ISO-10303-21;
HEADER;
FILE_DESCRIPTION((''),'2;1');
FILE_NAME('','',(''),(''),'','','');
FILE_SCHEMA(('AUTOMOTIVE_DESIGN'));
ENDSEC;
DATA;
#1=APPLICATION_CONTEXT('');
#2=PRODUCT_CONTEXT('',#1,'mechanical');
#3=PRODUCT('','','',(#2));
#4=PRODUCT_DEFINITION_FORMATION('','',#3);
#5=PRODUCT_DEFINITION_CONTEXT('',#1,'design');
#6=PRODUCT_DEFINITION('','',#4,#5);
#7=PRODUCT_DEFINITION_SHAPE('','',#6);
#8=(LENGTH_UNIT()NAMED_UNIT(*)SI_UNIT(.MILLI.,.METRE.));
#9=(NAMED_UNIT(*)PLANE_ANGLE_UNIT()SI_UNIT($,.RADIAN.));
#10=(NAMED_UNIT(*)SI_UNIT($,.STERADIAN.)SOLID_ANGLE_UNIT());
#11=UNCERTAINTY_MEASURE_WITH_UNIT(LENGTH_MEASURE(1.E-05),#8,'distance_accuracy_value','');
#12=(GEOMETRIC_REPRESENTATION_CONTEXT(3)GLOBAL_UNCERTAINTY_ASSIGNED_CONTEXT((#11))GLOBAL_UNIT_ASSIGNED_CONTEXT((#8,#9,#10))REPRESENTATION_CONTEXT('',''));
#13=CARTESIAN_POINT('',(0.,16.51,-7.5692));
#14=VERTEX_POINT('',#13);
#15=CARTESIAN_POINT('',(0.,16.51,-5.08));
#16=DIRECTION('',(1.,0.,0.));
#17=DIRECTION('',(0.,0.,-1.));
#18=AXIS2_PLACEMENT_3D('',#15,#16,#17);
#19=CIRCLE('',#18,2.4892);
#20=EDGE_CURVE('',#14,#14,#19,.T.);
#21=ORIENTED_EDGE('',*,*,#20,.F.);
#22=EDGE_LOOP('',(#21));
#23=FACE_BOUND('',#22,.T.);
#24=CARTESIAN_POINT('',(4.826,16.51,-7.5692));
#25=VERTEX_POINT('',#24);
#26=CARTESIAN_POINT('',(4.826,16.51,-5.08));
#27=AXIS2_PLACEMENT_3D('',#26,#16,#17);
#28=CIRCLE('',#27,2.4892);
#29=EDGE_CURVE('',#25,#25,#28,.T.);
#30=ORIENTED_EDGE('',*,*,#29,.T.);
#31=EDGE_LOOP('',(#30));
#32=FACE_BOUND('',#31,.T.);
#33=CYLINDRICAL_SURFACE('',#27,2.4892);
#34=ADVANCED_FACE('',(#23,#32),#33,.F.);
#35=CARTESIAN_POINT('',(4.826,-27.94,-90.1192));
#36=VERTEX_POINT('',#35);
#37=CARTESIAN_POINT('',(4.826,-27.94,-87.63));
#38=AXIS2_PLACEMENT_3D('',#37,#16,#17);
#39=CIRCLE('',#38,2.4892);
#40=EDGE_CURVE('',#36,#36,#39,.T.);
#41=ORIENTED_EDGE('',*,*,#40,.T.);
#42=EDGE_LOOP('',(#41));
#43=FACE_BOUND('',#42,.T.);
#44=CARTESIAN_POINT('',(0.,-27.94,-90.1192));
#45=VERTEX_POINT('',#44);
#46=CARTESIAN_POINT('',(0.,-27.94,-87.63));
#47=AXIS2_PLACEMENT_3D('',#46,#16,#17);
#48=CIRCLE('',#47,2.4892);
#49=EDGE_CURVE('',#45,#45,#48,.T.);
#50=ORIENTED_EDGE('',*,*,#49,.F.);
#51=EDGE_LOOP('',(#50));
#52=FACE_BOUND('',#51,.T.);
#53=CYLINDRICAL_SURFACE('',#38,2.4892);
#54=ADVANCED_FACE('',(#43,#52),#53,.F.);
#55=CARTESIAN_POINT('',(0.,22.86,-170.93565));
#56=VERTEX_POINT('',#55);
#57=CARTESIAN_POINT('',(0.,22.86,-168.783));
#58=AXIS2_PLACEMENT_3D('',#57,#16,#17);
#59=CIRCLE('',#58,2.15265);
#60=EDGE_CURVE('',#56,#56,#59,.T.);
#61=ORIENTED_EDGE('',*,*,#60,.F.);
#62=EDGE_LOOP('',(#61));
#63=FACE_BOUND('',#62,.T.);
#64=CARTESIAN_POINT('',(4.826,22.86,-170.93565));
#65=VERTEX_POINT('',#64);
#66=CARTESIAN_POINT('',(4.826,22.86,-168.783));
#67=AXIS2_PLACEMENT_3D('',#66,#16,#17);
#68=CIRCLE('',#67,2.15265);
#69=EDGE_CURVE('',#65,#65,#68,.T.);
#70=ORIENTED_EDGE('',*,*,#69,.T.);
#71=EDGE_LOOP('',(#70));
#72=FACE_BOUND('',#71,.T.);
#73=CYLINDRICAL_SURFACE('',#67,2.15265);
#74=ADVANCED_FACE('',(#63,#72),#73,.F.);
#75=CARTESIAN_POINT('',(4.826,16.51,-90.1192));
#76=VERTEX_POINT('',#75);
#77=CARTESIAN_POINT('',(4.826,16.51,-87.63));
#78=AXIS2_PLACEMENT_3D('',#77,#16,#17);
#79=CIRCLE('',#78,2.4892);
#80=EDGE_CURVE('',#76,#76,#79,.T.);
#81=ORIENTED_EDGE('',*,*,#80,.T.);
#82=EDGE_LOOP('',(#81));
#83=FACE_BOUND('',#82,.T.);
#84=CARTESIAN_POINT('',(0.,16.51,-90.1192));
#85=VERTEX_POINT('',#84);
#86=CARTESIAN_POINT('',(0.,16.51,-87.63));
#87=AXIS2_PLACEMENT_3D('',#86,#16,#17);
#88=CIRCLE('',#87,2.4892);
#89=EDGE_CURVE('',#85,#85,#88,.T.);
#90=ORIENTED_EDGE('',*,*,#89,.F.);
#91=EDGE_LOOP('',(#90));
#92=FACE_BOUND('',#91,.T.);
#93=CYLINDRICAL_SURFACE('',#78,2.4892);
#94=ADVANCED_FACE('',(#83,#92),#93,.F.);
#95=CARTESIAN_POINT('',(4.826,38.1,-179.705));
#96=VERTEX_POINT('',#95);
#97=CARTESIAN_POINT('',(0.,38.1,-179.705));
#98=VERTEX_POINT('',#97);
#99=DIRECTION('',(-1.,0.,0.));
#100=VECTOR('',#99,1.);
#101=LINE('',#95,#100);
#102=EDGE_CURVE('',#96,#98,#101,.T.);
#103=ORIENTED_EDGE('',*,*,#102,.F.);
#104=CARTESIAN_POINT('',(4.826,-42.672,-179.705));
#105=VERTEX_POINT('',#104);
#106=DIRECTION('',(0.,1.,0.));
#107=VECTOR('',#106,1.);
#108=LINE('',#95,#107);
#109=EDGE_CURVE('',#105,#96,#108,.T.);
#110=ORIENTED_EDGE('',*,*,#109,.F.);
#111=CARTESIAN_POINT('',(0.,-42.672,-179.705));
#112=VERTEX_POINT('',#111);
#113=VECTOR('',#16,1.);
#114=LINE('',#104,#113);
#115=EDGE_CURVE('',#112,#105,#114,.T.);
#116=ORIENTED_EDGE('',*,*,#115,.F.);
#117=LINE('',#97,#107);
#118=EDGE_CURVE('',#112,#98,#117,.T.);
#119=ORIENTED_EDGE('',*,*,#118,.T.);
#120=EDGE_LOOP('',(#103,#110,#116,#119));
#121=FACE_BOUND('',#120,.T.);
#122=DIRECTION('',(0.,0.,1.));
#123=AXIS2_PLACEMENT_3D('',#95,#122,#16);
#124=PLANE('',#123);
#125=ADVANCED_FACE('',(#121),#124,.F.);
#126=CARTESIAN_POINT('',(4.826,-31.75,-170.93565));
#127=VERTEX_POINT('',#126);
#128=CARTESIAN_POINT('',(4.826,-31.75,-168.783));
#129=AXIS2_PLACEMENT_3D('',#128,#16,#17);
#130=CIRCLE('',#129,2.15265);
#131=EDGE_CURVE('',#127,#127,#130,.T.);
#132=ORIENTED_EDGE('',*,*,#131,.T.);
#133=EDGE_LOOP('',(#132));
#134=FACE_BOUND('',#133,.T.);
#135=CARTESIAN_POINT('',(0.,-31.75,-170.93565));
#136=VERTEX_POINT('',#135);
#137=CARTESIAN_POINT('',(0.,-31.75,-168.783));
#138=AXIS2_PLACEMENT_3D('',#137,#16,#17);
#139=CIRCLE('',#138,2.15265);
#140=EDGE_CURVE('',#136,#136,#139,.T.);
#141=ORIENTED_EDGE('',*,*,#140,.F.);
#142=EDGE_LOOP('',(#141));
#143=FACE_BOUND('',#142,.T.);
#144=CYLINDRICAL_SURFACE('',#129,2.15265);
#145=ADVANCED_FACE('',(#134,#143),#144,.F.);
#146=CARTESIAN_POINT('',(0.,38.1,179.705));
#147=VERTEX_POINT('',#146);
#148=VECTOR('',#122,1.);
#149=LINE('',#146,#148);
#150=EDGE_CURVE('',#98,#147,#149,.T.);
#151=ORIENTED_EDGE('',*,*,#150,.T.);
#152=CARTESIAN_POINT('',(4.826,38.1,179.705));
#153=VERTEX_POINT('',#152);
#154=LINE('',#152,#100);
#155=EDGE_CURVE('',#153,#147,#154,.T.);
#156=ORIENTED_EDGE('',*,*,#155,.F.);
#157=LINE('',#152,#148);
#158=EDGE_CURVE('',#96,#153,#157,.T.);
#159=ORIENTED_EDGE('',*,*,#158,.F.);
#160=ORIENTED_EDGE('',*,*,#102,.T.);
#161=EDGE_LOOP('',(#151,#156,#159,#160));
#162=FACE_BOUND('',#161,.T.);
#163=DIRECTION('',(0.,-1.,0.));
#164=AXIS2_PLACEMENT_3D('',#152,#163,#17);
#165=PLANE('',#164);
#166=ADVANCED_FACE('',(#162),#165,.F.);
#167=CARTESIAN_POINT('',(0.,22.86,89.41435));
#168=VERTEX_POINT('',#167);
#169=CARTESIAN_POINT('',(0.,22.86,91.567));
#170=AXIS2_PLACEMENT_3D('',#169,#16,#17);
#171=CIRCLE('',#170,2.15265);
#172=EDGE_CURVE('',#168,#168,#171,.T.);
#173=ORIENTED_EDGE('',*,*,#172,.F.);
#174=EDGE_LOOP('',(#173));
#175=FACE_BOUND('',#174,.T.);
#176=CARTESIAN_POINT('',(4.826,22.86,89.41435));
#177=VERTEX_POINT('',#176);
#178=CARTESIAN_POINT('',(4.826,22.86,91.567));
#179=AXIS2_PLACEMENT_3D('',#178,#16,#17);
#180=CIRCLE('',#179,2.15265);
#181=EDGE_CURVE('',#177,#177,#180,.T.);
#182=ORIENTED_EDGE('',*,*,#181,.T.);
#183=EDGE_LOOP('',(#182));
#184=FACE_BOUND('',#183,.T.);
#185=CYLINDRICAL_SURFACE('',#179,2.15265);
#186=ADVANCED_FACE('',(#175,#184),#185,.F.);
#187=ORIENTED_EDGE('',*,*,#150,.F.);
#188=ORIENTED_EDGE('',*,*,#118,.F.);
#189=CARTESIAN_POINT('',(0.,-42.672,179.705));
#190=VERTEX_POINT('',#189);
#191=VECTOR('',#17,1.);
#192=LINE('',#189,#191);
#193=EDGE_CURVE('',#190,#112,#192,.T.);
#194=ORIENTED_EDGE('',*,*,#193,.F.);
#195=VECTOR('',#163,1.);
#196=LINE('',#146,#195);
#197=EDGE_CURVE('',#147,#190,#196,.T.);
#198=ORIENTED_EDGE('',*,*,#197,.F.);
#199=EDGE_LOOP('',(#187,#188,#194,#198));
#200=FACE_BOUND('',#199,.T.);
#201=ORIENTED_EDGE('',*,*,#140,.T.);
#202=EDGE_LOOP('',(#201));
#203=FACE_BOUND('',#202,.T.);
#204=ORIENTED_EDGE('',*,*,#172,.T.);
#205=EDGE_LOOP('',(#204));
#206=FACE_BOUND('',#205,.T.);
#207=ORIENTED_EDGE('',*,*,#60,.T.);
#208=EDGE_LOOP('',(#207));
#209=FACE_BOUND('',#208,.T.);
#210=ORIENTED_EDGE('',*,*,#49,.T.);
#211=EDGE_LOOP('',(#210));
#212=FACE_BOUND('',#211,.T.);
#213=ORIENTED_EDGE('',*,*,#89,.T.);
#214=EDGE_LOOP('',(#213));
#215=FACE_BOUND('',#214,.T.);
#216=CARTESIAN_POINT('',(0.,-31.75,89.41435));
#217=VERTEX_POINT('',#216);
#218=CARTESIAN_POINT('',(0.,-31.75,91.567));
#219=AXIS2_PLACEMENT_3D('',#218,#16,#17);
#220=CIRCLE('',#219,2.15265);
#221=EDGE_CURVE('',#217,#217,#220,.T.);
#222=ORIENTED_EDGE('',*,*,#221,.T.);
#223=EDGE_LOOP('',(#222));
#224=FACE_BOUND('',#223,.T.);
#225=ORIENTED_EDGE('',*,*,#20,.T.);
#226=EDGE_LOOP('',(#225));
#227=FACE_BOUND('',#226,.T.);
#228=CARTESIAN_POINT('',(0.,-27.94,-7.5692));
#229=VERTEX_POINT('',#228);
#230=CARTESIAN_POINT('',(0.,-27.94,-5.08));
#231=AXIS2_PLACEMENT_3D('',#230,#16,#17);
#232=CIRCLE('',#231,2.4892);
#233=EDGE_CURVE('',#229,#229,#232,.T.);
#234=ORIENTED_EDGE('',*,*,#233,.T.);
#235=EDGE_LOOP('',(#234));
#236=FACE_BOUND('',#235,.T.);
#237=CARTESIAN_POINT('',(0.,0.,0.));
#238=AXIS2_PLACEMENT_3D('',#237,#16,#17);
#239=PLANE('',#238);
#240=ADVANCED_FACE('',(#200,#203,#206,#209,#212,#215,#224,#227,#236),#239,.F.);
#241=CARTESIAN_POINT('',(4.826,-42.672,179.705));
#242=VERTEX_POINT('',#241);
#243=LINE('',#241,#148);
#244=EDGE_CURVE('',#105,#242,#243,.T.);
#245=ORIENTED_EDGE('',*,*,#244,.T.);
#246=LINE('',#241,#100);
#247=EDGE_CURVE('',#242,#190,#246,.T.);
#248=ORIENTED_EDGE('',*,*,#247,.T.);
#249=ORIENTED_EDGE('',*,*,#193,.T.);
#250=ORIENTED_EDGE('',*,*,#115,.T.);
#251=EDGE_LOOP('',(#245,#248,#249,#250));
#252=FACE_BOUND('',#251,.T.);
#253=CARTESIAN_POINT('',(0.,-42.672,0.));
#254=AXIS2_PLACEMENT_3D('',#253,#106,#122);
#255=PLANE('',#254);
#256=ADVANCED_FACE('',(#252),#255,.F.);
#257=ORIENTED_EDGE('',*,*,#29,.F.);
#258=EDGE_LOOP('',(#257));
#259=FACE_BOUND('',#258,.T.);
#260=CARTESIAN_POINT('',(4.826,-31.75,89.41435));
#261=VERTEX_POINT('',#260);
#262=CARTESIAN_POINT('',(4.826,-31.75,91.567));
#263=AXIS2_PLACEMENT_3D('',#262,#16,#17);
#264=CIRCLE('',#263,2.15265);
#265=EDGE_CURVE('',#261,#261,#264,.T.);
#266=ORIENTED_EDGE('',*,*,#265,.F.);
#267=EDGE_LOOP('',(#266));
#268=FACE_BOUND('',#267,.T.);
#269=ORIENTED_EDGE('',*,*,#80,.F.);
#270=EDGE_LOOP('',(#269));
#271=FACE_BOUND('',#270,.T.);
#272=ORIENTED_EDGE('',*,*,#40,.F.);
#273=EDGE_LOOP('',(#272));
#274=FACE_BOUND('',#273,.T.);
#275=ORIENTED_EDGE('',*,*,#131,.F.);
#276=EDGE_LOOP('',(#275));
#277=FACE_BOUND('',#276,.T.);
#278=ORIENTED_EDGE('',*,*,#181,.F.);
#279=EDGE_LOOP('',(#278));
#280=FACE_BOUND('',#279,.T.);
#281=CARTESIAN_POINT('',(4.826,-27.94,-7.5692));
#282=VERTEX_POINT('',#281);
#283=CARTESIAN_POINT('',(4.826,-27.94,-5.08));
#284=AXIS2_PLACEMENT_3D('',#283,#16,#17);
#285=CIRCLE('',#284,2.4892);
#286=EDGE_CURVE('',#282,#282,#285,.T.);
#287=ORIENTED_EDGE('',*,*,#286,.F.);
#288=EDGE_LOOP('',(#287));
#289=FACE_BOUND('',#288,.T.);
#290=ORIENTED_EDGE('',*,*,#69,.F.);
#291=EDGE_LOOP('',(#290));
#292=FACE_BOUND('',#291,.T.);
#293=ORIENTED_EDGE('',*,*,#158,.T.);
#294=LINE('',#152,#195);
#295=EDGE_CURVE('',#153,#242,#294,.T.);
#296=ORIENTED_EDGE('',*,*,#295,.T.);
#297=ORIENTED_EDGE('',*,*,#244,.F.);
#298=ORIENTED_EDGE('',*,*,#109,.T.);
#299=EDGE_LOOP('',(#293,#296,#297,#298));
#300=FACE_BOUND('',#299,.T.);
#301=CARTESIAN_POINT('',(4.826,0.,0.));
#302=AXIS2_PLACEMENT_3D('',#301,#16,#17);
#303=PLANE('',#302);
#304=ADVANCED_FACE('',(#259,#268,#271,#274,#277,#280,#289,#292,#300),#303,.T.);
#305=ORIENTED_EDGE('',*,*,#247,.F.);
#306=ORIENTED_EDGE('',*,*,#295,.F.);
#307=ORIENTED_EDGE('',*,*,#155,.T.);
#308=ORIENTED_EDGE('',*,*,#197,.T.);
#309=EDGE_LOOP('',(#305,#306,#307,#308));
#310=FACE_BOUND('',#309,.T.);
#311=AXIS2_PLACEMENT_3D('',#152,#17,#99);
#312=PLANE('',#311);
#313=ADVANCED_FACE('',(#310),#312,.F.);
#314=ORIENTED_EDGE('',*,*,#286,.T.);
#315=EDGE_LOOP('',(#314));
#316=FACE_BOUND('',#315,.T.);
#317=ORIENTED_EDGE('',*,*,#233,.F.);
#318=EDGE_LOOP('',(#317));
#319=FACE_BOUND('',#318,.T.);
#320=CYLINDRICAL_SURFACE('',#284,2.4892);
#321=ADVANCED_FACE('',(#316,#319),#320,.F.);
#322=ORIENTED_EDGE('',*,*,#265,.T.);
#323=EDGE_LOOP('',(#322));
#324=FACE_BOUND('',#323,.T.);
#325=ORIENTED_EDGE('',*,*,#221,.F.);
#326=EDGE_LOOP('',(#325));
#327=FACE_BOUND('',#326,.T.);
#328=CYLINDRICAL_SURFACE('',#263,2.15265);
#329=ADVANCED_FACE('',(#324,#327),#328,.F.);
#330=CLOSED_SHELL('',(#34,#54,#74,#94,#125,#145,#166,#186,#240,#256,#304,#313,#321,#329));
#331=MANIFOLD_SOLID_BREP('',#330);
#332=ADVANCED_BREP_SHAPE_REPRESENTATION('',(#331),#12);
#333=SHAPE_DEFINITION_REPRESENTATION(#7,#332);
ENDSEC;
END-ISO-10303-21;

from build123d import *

# Parameters (mm, degrees)
SKETCH1_W                 = 359.41
SKETCH1_H                 = 76.2
BOSS_EXTRUDE1_DEPTH       = 4.826
F_10_CLEARANCE_HOLE1_D    = 4.9784
F_8_CLEARANCE_HOLE1_D     = 4.3053
F_8_CLEARANCE_HOLE1_DEPTH = 12.7
F_8_CLEARANCE_HOLE1_TIP   = 1.293442612
SKETCH31_W                = 4.826
SKETCH31_H                = 359.41
BOSS_EXTRUDE10_DEPTH      = 4.572


with BuildPart() as part:
    # Sketch1 → Boss-Extrude1 (new body)
    with BuildSketch(Plane(origin=(0, 0, 0), x_dir=(0, 0, -1), z_dir=(1, 0, 0))):
        Rectangle(SKETCH1_W, SKETCH1_H)
    extrude(amount=BOSS_EXTRUDE1_DEPTH)

    # #10 Clearance Hole1 (through all)
    with Locations(Plane(origin=(4.826, 0, 0), x_dir=(0, 0, -1), z_dir=(1, 0, 0))):
        with Locations((87.63, -27.94), (5.08, -27.94), (5.08, 16.51), (87.63, 16.51)):
            Hole(F_10_CLEARANCE_HOLE1_D / 2)

    # #8 Clearance Hole1
    with Locations(Plane(origin=(4.826, 0, 0), x_dir=(0, 0, -1), z_dir=(1, 0, 0))):
        with Locations((-91.567, 22.86), (-91.567, -31.75), (168.783, -31.75), (168.783, 22.86)):
            Hole(F_8_CLEARANCE_HOLE1_D / 2, depth=F_8_CLEARANCE_HOLE1_DEPTH)
            with Locations((0, 0, -(F_8_CLEARANCE_HOLE1_DEPTH + F_8_CLEARANCE_HOLE1_TIP / 2))):  # 118° drill point
                Cone(0, F_8_CLEARANCE_HOLE1_D / 2, F_8_CLEARANCE_HOLE1_TIP, mode=Mode.SUBTRACT)

    # Sketch31 → Boss-Extrude10 (add)
    with BuildSketch(Plane.XZ.offset(38.1)):
        with Locations((2.413, 0)):
            Rectangle(SKETCH31_W, SKETCH31_H)
    extrude(amount=BOSS_EXTRUDE10_DEPTH)


solid = part.part
